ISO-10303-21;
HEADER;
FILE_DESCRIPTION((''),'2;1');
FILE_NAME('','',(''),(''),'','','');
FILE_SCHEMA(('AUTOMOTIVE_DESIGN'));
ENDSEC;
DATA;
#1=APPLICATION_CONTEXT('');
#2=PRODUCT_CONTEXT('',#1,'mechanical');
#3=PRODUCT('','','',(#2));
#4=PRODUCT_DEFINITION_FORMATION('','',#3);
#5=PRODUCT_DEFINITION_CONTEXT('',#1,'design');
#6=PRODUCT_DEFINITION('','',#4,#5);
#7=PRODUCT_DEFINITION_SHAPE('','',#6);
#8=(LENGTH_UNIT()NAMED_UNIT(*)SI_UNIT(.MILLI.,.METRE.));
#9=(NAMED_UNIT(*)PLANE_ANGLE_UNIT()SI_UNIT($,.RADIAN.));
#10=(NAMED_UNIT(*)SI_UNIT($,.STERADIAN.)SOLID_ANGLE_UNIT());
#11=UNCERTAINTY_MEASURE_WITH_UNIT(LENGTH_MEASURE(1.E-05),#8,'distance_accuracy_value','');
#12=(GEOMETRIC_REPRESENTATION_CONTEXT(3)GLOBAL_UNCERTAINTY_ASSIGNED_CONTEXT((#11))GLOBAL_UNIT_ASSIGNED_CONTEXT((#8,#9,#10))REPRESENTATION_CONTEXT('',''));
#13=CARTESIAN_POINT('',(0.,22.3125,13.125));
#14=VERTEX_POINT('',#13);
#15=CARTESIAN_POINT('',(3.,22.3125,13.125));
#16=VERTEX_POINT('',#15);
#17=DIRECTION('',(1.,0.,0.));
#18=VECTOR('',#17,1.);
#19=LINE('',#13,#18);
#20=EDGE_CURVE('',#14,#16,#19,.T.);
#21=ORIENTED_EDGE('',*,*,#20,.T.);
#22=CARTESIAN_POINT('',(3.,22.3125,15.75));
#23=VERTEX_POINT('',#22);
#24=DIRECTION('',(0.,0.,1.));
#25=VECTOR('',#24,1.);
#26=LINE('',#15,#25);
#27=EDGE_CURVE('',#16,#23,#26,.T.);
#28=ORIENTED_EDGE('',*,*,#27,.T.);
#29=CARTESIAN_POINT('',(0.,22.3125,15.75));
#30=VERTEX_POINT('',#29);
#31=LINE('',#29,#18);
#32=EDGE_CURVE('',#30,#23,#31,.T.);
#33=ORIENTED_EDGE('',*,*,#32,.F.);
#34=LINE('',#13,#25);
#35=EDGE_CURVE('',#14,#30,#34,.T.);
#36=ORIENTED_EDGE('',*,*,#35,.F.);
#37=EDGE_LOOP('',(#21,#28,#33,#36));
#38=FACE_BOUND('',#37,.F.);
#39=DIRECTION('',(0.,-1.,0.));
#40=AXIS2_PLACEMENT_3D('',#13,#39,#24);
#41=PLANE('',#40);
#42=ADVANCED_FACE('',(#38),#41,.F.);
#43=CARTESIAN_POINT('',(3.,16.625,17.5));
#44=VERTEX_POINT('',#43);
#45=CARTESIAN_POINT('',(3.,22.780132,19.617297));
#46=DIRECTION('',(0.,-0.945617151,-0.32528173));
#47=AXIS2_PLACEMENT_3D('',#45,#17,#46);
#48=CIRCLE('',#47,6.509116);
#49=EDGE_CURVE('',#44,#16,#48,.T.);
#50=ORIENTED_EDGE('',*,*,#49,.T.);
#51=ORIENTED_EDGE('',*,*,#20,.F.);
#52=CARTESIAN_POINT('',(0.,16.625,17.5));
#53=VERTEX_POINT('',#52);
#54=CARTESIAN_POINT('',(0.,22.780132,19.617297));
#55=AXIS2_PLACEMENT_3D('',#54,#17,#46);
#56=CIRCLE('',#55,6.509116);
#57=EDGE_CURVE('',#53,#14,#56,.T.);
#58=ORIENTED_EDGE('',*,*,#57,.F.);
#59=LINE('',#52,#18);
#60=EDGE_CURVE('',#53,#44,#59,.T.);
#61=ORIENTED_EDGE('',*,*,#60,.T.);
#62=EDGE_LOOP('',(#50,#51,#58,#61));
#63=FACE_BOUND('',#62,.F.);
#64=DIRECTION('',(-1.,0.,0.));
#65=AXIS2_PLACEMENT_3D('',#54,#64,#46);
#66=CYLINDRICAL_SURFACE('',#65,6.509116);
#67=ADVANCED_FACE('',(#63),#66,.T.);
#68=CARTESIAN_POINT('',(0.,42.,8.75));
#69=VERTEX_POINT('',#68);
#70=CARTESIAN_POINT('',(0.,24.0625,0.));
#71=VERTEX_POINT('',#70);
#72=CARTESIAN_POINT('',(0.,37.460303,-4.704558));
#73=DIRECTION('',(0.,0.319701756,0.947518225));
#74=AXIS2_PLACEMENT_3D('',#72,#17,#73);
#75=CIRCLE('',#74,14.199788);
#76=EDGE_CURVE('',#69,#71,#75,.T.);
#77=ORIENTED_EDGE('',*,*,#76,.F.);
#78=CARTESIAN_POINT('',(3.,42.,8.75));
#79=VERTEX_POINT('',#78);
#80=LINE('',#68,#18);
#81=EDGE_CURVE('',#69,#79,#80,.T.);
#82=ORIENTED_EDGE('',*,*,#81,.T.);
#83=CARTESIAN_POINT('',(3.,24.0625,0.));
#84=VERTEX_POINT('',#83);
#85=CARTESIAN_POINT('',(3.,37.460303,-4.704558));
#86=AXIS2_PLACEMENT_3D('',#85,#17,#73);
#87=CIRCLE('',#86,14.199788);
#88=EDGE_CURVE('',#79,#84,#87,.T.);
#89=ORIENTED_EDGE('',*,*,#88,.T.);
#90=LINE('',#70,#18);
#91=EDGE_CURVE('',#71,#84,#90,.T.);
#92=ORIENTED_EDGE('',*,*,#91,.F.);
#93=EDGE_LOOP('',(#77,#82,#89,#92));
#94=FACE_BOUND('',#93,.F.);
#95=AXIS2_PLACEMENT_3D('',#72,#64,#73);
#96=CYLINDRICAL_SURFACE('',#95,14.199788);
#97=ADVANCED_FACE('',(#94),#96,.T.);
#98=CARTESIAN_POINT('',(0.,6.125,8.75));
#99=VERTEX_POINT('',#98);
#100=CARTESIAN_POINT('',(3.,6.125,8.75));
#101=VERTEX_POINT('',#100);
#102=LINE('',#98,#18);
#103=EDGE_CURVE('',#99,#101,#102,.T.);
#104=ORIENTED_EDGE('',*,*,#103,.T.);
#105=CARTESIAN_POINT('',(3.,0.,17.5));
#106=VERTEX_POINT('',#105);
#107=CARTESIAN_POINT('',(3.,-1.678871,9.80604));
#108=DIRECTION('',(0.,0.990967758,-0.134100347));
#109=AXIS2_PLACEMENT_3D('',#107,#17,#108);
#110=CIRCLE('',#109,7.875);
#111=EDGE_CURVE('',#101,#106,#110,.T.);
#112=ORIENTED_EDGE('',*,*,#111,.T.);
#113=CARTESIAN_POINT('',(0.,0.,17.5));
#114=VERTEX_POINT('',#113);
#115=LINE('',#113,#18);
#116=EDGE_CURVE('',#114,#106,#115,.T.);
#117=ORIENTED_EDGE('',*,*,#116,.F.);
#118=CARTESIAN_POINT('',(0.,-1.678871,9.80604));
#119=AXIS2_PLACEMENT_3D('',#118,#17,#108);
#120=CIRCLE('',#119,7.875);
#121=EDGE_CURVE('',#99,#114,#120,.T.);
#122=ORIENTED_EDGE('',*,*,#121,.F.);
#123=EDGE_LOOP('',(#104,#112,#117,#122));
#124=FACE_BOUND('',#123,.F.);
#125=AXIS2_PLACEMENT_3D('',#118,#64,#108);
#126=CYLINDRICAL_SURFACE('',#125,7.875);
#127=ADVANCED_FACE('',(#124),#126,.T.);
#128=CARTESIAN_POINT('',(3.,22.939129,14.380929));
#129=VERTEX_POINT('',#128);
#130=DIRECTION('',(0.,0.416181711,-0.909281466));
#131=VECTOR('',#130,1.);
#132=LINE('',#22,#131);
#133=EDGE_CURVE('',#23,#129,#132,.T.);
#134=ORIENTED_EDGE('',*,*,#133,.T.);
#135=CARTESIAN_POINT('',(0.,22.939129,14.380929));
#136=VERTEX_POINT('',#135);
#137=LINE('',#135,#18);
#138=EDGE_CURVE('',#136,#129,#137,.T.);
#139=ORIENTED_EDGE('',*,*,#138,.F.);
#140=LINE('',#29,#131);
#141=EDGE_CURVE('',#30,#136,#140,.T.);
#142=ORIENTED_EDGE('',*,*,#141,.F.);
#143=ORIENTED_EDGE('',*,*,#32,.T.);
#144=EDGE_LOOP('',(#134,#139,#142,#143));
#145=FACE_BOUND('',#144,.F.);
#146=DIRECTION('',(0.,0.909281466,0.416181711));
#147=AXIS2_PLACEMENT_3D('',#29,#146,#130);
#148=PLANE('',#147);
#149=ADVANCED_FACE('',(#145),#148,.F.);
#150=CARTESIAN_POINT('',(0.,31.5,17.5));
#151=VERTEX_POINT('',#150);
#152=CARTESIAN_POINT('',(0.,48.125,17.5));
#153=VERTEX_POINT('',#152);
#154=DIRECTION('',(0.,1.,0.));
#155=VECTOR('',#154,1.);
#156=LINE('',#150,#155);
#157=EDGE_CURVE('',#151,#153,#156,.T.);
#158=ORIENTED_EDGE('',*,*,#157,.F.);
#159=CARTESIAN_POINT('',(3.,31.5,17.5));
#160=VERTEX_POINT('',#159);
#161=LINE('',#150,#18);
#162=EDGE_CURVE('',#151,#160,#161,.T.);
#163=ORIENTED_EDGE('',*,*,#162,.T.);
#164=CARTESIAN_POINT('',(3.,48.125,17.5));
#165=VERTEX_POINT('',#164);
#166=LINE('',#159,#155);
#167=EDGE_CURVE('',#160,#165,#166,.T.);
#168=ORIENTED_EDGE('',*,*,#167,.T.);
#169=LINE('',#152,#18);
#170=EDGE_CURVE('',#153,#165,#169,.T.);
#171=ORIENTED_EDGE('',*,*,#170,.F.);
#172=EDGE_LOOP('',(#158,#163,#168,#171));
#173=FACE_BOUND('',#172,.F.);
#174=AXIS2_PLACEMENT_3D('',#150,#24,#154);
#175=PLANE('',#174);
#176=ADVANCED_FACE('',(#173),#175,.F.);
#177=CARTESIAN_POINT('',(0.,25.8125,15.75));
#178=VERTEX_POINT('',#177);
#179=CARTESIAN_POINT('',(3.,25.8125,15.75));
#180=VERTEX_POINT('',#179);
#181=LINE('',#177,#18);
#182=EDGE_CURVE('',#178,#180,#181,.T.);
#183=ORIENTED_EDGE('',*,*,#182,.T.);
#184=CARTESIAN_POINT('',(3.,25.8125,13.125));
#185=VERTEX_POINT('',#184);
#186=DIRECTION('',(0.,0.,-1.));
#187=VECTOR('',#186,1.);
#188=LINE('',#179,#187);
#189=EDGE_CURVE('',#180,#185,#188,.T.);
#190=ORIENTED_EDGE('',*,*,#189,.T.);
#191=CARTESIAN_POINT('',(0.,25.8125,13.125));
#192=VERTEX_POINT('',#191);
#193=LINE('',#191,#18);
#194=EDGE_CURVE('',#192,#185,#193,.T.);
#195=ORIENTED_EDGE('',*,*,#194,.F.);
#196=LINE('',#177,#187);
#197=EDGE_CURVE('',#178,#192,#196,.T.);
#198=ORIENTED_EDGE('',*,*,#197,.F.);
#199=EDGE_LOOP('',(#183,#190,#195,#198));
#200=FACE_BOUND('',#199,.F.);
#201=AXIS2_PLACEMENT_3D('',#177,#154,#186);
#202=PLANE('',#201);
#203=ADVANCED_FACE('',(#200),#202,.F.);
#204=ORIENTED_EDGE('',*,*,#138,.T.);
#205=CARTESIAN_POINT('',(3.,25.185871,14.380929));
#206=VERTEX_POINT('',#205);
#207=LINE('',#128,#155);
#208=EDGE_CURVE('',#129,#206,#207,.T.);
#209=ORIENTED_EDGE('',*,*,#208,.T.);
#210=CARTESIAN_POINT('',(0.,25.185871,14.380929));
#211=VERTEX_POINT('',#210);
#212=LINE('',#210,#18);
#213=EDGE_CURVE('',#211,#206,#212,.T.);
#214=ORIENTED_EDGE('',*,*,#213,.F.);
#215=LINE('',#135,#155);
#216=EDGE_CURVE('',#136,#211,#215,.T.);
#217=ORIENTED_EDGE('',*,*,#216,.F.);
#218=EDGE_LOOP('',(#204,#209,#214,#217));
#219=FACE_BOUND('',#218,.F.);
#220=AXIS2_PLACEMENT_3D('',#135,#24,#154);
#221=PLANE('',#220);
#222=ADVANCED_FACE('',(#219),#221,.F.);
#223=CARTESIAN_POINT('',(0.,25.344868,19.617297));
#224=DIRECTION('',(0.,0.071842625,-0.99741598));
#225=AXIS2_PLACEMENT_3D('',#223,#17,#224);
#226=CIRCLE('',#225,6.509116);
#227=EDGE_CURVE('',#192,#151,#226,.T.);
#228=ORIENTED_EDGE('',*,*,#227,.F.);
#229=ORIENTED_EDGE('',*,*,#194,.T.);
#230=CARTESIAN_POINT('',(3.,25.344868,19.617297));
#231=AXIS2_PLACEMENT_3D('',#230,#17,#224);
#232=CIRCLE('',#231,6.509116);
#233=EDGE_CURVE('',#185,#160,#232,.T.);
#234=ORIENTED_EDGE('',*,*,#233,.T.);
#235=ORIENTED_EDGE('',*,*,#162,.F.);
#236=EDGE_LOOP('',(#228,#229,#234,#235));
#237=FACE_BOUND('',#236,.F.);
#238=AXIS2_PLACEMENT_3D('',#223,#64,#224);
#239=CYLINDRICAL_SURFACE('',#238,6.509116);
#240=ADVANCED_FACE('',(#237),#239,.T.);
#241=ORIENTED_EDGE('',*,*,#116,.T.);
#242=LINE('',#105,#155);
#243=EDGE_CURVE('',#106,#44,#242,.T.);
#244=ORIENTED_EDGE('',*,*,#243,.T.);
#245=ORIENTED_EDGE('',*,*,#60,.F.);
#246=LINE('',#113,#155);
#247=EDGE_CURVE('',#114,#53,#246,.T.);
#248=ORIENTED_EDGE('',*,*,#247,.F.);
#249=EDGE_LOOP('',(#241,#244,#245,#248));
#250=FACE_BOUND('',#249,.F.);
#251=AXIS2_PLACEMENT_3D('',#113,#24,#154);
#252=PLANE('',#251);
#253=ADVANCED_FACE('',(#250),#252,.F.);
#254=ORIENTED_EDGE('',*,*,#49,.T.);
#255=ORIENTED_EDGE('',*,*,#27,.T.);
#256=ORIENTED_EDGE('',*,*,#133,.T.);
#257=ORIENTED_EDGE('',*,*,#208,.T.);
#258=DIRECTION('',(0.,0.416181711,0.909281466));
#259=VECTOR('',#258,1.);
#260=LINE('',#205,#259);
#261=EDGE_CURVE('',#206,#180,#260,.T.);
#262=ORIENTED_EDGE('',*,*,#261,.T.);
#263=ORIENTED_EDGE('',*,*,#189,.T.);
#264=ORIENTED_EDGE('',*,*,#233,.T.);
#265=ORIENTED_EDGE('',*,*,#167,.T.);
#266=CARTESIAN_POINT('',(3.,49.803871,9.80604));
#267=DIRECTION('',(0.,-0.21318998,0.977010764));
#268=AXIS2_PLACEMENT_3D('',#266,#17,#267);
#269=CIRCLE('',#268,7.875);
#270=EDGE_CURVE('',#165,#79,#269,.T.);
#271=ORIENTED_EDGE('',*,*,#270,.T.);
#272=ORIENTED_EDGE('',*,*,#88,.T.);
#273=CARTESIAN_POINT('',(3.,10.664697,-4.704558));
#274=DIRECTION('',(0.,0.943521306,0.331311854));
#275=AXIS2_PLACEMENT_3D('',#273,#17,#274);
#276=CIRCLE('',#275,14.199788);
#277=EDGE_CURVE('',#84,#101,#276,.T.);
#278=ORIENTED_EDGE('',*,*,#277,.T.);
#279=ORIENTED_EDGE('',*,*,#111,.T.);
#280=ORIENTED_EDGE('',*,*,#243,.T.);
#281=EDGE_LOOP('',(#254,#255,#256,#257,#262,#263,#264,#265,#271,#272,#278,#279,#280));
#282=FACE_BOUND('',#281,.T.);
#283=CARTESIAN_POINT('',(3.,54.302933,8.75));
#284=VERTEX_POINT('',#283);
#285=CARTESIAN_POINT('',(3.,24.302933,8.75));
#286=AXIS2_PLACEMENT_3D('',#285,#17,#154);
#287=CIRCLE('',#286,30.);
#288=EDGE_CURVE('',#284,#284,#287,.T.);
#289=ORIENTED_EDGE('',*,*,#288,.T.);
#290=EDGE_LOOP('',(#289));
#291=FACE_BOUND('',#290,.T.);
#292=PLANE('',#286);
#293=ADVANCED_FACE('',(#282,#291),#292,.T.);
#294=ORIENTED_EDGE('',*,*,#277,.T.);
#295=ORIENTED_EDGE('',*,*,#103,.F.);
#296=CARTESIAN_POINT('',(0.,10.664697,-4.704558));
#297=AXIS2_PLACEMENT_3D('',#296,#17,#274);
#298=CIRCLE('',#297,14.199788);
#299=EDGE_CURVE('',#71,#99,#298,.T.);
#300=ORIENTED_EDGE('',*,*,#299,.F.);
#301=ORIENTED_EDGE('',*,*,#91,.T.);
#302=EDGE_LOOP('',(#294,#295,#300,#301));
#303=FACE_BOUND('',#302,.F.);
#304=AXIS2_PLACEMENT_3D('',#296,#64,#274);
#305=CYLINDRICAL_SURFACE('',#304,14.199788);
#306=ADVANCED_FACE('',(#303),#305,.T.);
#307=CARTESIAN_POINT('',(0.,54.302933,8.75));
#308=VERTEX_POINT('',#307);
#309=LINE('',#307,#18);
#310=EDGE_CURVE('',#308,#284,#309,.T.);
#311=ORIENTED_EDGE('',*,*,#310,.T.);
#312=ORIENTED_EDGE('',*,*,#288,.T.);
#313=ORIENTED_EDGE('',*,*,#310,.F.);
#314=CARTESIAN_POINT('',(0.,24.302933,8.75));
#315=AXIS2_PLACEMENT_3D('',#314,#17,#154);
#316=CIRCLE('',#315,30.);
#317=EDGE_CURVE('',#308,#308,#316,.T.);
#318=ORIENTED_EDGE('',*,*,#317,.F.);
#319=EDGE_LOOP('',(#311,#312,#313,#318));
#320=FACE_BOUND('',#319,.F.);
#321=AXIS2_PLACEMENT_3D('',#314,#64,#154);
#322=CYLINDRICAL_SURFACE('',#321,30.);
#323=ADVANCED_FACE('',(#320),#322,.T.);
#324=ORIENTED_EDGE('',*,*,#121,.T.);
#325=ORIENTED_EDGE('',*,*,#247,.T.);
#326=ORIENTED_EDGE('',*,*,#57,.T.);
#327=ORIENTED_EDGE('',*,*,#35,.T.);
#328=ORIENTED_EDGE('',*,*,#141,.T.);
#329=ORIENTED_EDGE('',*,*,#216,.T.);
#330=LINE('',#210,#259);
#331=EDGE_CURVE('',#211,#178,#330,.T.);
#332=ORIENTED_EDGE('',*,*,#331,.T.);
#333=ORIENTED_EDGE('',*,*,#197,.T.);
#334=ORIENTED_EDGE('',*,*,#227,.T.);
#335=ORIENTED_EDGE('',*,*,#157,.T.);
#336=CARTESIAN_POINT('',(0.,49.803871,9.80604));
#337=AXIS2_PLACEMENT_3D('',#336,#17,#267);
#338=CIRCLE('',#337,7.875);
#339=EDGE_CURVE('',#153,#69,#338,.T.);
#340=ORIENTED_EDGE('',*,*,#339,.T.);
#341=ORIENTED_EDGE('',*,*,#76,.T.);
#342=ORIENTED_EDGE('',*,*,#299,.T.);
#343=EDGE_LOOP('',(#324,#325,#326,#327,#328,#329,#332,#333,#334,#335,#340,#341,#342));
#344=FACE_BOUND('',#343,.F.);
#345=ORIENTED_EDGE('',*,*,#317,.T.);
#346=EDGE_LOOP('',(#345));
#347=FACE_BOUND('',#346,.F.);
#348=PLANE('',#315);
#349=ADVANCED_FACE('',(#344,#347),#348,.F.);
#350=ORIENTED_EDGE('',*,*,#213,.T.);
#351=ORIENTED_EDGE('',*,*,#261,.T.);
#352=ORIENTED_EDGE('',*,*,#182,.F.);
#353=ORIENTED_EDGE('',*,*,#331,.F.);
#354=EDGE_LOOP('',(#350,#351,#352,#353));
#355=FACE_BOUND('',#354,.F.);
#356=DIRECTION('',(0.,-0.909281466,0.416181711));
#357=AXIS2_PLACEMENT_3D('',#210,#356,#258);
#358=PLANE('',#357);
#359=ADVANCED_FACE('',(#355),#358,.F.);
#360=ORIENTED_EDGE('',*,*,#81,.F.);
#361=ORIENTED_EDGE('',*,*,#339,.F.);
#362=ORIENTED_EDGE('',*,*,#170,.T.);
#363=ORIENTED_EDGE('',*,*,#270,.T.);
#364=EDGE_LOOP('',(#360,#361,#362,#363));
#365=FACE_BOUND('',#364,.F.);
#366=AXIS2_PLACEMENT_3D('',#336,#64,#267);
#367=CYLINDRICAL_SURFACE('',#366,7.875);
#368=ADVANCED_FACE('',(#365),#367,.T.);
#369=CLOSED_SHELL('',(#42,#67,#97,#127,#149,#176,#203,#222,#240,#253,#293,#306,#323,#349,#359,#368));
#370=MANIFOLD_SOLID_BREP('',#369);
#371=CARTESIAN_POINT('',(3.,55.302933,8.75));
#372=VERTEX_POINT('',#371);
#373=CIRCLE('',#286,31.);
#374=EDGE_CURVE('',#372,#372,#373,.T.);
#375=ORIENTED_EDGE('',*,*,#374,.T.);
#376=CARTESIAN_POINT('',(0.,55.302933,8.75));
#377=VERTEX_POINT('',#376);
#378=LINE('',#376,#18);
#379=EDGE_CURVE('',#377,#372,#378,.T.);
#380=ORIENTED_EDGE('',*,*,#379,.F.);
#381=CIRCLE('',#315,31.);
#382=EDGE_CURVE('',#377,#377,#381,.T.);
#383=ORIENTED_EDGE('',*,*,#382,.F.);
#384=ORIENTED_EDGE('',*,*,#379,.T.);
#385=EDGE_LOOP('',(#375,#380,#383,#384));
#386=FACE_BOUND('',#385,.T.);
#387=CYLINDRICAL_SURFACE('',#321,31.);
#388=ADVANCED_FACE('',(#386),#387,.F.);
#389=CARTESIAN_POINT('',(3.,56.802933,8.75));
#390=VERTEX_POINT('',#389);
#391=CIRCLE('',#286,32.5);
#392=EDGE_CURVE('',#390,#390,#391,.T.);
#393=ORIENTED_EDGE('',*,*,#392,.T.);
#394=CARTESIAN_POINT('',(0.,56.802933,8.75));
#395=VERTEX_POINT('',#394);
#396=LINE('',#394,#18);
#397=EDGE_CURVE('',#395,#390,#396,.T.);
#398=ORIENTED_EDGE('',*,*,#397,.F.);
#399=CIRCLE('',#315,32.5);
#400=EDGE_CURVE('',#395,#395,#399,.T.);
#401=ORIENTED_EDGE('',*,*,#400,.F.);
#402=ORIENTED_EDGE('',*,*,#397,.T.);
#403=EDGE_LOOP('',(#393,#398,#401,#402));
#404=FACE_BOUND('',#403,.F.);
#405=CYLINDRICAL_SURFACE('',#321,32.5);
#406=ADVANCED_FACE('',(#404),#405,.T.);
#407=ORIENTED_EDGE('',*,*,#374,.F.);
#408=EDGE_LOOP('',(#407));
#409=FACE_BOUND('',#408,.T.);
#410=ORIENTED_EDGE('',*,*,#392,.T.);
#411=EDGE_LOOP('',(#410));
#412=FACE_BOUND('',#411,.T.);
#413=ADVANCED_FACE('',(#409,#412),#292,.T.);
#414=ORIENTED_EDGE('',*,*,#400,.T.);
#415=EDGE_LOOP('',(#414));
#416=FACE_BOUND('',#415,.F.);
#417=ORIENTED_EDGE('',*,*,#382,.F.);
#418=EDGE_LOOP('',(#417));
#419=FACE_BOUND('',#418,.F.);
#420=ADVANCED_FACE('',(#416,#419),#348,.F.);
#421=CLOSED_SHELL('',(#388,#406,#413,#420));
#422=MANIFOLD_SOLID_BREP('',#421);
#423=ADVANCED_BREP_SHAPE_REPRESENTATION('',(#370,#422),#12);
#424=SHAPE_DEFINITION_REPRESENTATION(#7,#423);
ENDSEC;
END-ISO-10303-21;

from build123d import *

# Parameters (mm, degrees)
F0_R     = 30
F1_DEPTH = 3
F0_R_2   = 32.5
F0_R_3   = 31


with BuildPart() as f1:
    # F0 (on Right) → F1 (new body)
    with BuildSketch(Plane.YZ):
        with Locations((24.3029328958, 8.75)):
            Circle(F0_R)
        with BuildLine():
            ThreePointArc((6.125, 8.75), (4.7725802821, 14.3220561974), (0, 17.5))
            Line((0, 17.5), (16.625, 17.5))
            ThreePointArc((16.625, 17.5), (18.8114537572, 14.4580148844), (22.3125, 13.125))
            Line((22.3125, 13.125), (22.3125, 15.75))
            Line((22.3125, 15.75), (22.9391290341, 14.3809293471))
            Line((22.9391290341, 14.3809293471), (24.0625, 14.3809293471))
            Line((24.0625, 14.3809293471), (25.1858709659, 14.3809293471))
            Line((25.1858709659, 14.3809293471), (25.8125, 15.75))
            Line((25.8125, 15.75), (25.8125, 13.125))
            ThreePointArc((25.8125, 13.125), (29.3135462428, 14.4580148844), (31.5, 17.5))
            Line((31.5, 17.5), (48.125, 17.5))
            ThreePointArc((48.125, 17.5), (43.3524197179, 14.3220561974), (42, 8.75))
            ThreePointArc((42, 8.75), (31.2347800241, 8.0577634507), (24.0625, 0))
            ThreePointArc((24.0625, 0), (16.8902199759, 8.0577634507), (6.125, 8.75))
        make_face(mode=Mode.SUBTRACT)
    extrude(amount=F1_DEPTH)


with BuildPart() as f1b:
    # F0 (on Right) → F1, piece 2 (new body)
    with BuildSketch(Plane.YZ):
        with Locations((24.3029328958, 8.75)):
            Circle(F0_R_2)
        with Locations((24.3029328958, 8.75)):
            Circle(F0_R_3, mode=Mode.SUBTRACT)
    extrude(amount=F1_DEPTH)


solid = Compound([f1.part, f1b.part])
